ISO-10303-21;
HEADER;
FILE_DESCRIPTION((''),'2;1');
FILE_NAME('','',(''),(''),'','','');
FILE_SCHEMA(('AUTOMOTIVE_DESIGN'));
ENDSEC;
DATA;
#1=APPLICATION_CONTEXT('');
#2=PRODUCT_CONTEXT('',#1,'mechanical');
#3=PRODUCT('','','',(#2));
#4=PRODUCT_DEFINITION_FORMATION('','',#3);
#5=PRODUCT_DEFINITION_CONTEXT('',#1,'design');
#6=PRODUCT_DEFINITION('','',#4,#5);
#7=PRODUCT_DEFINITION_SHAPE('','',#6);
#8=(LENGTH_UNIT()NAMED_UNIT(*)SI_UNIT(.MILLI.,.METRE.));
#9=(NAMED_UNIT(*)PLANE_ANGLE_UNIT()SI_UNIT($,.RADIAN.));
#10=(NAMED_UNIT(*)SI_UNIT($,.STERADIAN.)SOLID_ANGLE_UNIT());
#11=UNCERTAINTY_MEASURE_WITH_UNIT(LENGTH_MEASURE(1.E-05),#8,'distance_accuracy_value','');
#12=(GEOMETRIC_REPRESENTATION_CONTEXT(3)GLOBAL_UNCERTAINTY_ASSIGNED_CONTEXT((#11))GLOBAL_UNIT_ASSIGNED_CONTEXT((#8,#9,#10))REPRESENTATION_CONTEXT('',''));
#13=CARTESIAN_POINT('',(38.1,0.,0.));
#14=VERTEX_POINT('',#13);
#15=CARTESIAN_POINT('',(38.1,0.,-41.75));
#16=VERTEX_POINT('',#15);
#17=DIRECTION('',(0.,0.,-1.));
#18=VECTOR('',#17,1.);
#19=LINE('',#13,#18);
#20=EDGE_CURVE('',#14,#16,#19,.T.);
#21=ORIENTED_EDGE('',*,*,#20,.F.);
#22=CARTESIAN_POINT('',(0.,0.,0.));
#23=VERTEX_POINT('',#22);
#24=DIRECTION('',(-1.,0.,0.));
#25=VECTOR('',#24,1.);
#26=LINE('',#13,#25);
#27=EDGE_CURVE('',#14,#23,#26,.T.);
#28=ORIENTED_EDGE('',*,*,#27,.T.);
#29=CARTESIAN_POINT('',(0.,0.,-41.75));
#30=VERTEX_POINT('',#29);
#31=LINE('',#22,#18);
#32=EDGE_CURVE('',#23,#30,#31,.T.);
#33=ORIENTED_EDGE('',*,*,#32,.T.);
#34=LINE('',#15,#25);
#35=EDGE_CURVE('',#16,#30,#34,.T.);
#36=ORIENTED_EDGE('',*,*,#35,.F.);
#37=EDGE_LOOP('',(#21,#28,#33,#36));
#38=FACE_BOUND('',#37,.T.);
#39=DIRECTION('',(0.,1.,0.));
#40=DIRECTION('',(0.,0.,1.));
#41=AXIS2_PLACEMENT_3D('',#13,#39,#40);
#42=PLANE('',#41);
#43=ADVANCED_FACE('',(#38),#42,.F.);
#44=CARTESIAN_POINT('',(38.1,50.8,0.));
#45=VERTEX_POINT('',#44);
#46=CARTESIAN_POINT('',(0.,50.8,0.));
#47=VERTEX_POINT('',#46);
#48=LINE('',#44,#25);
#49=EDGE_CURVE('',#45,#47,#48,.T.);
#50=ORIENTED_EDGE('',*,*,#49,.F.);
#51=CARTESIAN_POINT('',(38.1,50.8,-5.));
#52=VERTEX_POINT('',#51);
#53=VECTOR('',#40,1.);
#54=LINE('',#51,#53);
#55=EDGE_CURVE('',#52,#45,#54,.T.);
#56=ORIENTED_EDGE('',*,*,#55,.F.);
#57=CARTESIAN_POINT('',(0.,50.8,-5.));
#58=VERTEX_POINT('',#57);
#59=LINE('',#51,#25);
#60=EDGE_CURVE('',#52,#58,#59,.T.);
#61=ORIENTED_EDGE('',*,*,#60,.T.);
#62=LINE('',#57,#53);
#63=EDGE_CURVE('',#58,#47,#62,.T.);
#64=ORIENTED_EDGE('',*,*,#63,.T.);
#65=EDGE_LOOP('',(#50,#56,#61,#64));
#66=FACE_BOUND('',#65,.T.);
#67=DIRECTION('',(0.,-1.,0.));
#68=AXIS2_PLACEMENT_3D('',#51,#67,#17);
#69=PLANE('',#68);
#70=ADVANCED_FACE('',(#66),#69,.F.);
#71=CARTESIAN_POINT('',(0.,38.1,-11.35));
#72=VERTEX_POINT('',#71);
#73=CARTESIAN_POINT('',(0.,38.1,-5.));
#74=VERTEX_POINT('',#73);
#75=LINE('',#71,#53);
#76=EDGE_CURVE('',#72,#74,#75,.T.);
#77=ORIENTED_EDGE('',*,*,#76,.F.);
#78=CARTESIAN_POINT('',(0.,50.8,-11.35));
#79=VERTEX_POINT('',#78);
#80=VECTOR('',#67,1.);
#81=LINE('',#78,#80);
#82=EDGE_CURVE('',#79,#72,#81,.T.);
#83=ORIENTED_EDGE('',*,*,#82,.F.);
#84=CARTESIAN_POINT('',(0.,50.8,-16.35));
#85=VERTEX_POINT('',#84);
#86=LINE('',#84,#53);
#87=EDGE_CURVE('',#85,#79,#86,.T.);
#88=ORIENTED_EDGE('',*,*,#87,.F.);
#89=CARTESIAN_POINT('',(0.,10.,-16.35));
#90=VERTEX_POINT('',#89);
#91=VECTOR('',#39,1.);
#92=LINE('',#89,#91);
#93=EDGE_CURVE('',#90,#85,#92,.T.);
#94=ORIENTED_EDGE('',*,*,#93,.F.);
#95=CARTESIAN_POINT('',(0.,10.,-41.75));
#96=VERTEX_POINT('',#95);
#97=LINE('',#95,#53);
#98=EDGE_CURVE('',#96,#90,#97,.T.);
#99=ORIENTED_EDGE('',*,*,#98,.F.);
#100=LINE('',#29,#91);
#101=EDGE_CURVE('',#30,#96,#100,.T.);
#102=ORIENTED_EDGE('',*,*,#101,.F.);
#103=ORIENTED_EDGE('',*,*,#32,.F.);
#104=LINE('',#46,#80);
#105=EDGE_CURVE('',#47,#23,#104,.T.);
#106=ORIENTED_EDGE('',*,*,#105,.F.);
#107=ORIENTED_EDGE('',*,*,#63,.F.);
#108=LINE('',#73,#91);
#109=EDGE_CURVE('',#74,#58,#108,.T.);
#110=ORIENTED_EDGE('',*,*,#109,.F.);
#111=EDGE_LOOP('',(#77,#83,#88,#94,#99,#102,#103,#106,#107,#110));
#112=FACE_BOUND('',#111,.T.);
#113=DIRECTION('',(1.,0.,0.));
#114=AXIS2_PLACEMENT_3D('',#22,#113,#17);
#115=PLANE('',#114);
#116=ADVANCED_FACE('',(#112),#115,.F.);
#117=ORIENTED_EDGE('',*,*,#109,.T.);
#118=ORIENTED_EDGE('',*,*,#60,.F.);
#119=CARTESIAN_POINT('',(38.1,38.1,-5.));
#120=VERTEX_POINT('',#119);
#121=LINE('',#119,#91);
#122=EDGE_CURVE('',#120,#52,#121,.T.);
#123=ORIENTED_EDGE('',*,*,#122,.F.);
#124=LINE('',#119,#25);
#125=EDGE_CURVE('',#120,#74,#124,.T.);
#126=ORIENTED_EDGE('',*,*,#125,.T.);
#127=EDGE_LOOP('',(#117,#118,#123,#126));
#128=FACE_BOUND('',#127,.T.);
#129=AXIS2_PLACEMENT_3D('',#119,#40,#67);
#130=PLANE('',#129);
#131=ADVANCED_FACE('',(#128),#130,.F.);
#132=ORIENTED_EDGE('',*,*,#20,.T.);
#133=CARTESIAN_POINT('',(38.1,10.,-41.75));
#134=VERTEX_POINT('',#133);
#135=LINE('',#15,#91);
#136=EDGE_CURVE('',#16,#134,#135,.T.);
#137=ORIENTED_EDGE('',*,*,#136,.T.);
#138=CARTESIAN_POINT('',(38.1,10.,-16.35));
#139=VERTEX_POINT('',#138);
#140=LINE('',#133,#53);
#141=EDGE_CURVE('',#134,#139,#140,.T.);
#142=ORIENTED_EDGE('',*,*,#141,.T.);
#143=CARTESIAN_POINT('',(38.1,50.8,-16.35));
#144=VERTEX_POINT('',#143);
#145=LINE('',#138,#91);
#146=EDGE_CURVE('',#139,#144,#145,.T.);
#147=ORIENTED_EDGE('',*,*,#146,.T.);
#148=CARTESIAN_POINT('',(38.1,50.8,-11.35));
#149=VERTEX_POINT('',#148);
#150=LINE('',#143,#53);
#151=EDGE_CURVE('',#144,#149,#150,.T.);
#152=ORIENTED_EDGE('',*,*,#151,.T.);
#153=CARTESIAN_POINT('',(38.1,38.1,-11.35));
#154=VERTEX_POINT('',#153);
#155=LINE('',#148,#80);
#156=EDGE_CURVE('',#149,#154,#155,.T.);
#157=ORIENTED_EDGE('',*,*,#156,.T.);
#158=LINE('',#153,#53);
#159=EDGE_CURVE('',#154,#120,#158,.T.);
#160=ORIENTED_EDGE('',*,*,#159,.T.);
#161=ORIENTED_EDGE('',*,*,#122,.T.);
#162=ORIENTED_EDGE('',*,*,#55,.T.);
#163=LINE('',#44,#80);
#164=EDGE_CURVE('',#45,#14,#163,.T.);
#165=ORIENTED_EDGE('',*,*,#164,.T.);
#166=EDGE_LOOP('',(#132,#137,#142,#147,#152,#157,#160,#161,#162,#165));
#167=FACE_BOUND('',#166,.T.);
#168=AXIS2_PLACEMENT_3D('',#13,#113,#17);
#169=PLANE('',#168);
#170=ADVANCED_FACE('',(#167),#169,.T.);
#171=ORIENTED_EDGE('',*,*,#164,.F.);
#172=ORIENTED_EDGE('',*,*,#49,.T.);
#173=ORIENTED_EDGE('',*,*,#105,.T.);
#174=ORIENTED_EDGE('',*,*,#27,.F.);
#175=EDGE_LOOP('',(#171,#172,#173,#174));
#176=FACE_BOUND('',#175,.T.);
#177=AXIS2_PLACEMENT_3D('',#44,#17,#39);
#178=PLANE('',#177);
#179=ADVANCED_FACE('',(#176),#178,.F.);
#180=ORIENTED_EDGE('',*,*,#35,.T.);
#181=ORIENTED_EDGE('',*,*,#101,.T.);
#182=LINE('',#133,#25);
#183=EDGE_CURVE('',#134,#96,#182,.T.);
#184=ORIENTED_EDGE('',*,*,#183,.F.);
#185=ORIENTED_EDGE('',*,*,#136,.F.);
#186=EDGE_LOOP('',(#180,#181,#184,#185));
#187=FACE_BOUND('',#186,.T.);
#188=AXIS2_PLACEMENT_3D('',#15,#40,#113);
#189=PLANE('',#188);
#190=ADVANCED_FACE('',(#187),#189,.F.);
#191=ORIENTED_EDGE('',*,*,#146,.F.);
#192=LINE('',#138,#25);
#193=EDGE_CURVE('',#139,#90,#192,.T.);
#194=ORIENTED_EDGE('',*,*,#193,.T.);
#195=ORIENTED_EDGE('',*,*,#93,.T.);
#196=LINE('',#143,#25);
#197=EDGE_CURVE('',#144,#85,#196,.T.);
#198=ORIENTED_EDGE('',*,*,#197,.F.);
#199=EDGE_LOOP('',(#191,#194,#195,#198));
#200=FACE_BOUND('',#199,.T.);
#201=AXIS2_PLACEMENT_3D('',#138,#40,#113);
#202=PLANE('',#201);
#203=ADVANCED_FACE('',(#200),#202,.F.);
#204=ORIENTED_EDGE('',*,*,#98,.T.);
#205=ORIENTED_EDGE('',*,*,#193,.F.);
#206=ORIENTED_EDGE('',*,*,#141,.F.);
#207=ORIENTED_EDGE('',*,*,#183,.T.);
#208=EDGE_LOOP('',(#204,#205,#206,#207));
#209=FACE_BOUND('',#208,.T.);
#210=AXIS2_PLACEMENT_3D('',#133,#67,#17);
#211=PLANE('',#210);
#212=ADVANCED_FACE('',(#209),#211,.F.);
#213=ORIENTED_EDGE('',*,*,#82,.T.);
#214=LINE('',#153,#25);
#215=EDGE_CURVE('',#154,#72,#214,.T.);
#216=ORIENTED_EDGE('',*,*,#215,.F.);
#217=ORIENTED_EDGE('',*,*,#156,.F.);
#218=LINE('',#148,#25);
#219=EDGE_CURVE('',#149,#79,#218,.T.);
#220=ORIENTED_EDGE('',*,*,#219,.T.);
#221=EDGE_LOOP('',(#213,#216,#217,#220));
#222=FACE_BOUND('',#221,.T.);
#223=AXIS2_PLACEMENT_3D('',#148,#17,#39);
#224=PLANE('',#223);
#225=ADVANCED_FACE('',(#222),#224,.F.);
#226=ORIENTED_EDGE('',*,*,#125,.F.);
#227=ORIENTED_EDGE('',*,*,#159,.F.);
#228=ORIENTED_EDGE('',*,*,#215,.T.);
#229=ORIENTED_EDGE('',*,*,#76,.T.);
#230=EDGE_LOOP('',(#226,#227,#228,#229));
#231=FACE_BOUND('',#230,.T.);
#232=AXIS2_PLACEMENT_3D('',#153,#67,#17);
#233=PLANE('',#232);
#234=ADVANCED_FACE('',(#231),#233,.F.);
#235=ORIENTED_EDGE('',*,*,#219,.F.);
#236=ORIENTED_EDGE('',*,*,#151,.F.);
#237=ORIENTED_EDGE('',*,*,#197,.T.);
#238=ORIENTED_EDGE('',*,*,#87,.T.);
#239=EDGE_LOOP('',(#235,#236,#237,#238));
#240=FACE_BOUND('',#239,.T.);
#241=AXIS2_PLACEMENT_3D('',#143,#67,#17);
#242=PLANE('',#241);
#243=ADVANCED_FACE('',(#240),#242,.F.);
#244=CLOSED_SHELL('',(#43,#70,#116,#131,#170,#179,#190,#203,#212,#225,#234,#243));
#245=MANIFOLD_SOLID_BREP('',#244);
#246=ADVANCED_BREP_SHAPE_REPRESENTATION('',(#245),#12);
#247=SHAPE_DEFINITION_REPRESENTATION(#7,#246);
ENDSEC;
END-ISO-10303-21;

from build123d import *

# Parameters (mm, degrees)
BOSS_EXTRUDE1_DEPTH = 38.1


with BuildPart() as part:
    # Sketch1 → Boss-Extrude1 (new body)
    with BuildSketch(Plane(origin=(0, 0, 0), x_dir=(0, 0, -1), z_dir=(1, 0, 0))):
        Polygon((0, 0), (41.75, 0), (41.75, 10), (16.35, 10), (16.35, 50.8), (11.35, 50.8), (11.35, 38.1), (5, 38.1), (5, 50.8), (0, 50.8), align=None)
    extrude(amount=BOSS_EXTRUDE1_DEPTH)


solid = part.part
